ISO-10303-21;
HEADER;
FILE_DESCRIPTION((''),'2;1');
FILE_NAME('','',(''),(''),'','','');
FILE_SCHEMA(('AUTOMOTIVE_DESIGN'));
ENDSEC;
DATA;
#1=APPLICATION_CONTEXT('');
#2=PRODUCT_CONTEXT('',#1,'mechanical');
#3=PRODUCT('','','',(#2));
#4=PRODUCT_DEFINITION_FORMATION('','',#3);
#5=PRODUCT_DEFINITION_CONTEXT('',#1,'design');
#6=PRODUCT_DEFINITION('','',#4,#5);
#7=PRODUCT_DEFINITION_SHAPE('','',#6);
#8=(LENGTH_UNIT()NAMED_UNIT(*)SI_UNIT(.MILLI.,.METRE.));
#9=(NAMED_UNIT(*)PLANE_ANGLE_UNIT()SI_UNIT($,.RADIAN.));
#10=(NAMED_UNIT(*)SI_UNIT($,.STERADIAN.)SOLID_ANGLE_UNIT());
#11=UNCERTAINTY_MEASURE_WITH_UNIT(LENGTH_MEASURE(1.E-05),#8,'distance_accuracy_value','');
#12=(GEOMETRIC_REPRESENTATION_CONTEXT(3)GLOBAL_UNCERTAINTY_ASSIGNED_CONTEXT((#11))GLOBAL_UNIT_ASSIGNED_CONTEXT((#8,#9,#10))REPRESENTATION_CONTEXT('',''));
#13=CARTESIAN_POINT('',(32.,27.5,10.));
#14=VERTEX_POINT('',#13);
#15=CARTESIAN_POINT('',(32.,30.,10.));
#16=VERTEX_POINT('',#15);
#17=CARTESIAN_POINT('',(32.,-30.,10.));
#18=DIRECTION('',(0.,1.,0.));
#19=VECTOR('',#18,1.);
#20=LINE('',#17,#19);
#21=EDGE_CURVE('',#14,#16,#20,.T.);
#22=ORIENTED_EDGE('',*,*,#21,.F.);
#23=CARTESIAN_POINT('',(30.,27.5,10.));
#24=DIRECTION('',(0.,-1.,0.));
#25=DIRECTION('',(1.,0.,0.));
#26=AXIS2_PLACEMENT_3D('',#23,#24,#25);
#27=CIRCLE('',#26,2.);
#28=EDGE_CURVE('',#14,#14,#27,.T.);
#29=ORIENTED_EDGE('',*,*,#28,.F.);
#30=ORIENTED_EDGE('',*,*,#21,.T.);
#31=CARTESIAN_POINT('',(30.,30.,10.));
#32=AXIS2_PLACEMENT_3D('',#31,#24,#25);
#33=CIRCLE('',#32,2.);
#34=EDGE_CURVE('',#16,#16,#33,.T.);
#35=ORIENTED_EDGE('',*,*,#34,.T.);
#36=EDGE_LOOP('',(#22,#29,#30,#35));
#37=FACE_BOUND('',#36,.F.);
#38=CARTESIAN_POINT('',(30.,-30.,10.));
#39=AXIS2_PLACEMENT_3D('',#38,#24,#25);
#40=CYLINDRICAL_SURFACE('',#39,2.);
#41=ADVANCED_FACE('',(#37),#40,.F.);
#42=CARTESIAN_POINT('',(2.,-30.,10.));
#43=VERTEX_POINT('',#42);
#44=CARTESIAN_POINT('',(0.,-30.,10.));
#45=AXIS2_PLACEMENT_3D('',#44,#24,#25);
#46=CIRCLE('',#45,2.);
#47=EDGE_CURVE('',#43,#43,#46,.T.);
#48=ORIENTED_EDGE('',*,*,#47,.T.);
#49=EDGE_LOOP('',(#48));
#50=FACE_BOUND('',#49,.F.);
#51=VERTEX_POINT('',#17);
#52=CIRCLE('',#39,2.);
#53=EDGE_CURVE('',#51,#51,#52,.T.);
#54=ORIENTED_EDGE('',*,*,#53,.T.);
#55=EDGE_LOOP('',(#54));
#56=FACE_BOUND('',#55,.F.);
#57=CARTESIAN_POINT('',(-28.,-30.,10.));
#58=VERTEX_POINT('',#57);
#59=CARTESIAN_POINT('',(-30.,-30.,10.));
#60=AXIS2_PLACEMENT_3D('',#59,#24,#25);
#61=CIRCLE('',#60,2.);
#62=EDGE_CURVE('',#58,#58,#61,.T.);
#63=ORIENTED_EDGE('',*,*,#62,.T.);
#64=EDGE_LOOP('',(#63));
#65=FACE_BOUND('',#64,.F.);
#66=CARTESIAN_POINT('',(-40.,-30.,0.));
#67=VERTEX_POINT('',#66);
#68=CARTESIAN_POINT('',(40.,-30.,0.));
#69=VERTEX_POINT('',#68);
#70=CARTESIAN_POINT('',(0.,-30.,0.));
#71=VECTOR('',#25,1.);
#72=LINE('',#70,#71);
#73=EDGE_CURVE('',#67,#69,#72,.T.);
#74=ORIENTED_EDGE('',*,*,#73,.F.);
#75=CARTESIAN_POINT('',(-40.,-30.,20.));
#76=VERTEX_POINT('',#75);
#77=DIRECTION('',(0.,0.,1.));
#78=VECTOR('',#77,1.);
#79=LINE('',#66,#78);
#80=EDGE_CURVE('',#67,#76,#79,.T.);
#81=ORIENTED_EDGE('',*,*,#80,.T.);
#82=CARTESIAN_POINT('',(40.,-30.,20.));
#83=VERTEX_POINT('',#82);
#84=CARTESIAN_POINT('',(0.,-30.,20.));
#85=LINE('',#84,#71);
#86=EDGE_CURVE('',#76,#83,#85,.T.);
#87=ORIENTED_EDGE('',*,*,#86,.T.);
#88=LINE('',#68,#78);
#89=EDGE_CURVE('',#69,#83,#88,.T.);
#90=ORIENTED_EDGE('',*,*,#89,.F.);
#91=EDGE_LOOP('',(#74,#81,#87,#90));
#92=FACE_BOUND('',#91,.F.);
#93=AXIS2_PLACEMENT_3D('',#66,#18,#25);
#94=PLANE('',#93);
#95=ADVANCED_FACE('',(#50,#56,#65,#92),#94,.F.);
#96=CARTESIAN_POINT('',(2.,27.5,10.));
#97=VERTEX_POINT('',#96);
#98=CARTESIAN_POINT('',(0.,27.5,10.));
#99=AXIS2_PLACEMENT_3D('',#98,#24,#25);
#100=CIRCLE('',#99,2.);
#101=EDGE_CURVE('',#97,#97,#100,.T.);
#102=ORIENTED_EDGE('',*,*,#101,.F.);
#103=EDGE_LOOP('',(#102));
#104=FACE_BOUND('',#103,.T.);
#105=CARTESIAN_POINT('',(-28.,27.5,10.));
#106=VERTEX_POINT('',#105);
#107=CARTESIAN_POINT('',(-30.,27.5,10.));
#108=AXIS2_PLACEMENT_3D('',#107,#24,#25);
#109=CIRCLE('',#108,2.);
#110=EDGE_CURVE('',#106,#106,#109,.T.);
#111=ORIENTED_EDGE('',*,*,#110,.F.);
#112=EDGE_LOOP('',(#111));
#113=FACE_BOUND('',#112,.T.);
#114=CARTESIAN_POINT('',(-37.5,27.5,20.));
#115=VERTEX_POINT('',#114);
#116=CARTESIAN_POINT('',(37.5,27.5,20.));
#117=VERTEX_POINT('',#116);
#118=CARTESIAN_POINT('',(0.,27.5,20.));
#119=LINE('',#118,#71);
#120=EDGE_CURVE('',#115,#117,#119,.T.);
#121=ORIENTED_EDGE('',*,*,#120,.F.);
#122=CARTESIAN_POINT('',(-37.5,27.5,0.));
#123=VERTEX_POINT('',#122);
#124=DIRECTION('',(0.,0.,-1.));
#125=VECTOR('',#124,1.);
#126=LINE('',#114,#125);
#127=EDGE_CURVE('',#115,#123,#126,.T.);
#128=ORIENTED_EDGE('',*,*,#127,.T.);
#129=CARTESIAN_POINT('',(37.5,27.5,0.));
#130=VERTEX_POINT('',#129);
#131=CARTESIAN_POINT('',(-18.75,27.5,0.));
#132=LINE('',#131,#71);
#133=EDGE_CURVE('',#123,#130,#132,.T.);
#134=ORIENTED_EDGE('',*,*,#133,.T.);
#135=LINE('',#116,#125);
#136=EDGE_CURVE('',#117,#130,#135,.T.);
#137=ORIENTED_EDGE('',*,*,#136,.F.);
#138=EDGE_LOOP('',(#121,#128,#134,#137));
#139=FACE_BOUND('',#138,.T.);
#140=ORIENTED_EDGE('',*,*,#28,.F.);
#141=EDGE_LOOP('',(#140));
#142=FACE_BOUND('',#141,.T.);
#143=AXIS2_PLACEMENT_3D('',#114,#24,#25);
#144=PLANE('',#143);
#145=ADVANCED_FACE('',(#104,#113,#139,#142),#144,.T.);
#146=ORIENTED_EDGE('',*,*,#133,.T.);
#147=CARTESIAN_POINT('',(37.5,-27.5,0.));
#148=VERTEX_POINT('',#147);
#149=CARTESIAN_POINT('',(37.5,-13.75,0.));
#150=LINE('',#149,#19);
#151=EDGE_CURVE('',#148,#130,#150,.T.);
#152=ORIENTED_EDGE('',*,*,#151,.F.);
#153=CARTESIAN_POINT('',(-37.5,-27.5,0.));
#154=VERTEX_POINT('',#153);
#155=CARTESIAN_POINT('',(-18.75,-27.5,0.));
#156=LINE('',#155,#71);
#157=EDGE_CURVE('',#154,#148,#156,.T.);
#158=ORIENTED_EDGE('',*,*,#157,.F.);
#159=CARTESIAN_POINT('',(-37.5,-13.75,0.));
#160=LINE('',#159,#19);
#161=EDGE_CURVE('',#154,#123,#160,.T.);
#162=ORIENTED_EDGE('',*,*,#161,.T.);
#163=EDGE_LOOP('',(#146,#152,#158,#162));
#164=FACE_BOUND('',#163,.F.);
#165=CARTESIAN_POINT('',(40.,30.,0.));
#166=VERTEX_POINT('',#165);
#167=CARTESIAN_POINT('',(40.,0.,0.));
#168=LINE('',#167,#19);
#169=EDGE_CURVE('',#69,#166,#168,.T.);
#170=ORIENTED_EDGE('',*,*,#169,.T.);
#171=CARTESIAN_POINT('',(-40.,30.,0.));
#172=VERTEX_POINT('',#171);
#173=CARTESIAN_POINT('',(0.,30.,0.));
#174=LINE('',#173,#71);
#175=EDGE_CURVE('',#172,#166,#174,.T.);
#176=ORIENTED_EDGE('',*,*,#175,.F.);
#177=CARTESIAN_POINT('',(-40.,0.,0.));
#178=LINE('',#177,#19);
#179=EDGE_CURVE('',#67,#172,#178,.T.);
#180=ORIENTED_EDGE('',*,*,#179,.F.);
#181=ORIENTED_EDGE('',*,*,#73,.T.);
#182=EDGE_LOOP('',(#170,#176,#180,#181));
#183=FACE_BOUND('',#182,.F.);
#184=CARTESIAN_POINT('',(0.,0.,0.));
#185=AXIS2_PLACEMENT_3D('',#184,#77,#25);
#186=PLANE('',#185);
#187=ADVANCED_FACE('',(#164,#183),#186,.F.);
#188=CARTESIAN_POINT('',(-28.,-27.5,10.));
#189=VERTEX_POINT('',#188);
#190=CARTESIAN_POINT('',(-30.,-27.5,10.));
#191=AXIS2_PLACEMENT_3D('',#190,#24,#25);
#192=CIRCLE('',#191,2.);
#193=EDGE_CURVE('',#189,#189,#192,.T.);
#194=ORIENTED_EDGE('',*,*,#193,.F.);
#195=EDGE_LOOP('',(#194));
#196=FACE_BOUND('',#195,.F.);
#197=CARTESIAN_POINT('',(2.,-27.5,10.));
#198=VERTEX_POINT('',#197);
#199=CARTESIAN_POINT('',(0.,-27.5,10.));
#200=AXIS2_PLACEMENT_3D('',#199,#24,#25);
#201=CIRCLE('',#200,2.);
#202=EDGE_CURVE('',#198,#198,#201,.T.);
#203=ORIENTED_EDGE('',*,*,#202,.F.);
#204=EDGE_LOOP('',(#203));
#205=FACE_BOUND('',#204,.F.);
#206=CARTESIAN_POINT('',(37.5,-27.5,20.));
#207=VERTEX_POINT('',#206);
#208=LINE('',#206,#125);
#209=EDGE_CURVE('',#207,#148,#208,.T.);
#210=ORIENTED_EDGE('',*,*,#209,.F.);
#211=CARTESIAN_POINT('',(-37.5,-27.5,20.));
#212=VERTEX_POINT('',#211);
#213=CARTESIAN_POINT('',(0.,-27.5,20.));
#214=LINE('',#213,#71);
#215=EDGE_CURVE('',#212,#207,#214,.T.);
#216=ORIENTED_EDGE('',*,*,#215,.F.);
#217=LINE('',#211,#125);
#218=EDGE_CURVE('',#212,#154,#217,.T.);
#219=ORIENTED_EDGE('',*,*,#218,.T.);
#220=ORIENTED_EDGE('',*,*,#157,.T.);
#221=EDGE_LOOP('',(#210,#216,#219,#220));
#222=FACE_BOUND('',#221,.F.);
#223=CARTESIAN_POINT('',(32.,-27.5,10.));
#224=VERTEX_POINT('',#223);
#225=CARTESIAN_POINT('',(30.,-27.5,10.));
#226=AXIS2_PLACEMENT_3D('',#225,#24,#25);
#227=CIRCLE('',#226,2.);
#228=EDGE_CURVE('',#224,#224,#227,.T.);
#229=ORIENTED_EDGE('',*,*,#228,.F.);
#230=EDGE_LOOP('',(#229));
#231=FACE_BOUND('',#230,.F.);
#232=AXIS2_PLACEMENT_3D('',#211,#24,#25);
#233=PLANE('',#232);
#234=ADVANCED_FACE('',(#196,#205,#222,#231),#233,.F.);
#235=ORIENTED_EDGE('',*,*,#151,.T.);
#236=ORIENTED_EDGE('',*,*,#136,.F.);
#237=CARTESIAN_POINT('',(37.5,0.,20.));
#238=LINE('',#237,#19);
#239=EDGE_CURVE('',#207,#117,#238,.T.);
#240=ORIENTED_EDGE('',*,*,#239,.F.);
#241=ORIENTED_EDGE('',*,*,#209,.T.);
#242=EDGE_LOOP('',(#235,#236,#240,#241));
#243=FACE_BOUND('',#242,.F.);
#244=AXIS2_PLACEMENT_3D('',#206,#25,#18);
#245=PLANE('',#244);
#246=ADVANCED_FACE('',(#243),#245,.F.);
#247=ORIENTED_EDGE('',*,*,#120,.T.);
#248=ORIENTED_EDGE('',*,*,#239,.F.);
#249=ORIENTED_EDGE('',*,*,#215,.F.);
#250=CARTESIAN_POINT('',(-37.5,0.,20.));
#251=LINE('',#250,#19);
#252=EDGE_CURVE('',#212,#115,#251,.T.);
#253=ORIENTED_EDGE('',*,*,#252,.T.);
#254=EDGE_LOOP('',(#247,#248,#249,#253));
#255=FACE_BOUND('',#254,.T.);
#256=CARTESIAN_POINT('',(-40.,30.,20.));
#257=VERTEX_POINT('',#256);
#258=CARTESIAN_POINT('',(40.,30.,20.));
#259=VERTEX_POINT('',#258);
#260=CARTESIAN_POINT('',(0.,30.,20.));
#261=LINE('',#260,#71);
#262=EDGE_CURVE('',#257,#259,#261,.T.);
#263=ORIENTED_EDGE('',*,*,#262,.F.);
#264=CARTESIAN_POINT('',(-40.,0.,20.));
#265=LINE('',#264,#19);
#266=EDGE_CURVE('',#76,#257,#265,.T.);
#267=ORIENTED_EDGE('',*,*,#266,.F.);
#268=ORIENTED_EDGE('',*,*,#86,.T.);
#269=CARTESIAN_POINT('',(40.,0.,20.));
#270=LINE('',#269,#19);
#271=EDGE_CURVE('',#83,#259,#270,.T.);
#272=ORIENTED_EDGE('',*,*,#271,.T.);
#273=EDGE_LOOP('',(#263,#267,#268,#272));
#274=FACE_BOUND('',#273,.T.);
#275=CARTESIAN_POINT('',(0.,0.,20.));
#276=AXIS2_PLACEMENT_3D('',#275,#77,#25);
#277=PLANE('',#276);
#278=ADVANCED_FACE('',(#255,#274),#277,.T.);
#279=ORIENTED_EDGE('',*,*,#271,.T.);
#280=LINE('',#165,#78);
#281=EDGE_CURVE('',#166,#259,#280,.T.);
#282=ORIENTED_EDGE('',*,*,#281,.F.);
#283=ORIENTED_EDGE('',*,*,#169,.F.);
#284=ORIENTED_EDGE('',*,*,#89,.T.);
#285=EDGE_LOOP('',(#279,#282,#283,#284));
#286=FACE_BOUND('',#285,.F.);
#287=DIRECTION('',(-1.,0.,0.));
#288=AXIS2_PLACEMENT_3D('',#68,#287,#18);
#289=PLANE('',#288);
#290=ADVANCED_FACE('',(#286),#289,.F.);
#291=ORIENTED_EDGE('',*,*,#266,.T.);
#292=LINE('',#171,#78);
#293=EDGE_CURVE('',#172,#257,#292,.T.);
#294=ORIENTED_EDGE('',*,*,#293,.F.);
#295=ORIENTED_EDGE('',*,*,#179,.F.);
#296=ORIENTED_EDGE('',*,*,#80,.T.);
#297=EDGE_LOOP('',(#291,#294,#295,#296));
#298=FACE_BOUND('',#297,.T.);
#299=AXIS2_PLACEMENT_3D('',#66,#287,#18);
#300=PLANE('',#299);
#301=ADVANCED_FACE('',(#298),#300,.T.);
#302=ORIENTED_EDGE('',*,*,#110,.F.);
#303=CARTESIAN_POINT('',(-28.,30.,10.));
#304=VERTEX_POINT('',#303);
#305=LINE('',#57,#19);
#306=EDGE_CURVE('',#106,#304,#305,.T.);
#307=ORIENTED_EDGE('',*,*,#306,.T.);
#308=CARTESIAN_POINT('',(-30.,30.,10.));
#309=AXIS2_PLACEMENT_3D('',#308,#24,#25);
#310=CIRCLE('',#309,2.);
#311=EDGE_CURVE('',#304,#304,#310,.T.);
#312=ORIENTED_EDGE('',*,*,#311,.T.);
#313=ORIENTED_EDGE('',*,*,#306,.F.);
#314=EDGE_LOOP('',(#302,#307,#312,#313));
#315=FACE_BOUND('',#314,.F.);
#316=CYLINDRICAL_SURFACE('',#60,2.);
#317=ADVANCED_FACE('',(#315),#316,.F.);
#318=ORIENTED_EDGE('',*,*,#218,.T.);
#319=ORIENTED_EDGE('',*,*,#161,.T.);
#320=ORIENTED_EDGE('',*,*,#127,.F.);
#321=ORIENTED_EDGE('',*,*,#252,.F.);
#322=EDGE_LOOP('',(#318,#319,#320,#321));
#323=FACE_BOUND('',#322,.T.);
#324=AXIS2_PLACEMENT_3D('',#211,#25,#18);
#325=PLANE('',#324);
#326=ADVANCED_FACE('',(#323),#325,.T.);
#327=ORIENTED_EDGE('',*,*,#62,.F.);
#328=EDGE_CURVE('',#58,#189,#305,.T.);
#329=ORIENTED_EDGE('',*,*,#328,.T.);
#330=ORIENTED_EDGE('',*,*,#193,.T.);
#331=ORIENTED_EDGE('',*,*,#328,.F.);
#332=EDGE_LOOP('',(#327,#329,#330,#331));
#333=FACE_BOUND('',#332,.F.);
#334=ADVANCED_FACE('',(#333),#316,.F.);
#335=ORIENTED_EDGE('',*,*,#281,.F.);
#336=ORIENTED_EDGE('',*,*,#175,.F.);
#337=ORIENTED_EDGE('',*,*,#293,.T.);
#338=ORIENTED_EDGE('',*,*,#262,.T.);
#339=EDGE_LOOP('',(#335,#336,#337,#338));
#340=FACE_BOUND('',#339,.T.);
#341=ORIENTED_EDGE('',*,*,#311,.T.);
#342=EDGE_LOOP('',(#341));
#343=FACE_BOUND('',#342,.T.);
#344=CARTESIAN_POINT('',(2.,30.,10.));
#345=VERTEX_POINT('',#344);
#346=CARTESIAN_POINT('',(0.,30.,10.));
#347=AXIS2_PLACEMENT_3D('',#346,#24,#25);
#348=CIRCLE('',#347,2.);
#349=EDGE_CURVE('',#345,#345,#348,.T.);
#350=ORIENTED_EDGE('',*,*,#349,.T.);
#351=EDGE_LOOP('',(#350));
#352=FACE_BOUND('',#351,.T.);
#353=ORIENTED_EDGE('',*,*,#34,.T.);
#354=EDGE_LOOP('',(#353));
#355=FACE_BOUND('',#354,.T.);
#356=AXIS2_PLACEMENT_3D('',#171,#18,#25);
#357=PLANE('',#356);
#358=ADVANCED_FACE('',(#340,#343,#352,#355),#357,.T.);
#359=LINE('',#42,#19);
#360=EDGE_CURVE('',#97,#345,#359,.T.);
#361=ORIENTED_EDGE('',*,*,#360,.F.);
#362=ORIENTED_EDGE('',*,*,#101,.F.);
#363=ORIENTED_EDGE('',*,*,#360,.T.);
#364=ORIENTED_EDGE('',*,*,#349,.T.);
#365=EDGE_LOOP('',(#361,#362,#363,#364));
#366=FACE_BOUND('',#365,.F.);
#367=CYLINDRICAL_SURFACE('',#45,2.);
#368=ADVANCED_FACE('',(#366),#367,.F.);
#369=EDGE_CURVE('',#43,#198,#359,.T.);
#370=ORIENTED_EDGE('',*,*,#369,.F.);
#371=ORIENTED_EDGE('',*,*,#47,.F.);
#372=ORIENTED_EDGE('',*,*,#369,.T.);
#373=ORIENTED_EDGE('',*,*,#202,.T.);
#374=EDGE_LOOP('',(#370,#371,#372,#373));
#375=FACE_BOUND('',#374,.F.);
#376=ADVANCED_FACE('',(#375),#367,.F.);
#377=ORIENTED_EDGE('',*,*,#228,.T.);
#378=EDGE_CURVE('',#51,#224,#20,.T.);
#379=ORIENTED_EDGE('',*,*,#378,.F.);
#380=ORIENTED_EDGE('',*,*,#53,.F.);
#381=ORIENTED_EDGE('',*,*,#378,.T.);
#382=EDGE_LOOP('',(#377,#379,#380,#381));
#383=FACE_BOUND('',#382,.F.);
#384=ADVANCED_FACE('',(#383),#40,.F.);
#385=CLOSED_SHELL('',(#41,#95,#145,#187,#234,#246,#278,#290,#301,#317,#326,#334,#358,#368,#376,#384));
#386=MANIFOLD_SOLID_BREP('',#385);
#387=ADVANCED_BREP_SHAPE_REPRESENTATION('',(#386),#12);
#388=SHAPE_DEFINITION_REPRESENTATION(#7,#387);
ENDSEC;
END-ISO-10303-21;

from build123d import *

# Parameters (mm, degrees)
F0_W     = 80
F0_H     = 60
F1_DEPTH = 20
F2_W     = 75
F2_H     = 55
F3_DEPTH = 20.001
F4_R     = 2
F5_DEPTH = 60.001


with BuildPart() as f1:
    # F0 (on Top) → F1 (new body)
    with BuildSketch(Plane.XY):
        Rectangle(F0_W, F0_H)
    extrude(amount=F1_DEPTH)

    # F2 (on face) → F3 (cut, through all)
    with BuildSketch(Plane.XY.offset(20)):
        Rectangle(F2_W, F2_H)
    extrude(amount=-F3_DEPTH, mode=Mode.SUBTRACT)

    # F4 (on face) → F5 (cut, through all)
    with BuildSketch(Plane.XZ.offset(30)):
        with Locations((-30, 10)):
            Circle(F4_R)
        with Locations((0, 10)):
            Circle(F4_R)
        with Locations((30, 10)):
            Circle(F4_R)
    extrude(amount=-F5_DEPTH, mode=Mode.SUBTRACT)


solid = f1.part
